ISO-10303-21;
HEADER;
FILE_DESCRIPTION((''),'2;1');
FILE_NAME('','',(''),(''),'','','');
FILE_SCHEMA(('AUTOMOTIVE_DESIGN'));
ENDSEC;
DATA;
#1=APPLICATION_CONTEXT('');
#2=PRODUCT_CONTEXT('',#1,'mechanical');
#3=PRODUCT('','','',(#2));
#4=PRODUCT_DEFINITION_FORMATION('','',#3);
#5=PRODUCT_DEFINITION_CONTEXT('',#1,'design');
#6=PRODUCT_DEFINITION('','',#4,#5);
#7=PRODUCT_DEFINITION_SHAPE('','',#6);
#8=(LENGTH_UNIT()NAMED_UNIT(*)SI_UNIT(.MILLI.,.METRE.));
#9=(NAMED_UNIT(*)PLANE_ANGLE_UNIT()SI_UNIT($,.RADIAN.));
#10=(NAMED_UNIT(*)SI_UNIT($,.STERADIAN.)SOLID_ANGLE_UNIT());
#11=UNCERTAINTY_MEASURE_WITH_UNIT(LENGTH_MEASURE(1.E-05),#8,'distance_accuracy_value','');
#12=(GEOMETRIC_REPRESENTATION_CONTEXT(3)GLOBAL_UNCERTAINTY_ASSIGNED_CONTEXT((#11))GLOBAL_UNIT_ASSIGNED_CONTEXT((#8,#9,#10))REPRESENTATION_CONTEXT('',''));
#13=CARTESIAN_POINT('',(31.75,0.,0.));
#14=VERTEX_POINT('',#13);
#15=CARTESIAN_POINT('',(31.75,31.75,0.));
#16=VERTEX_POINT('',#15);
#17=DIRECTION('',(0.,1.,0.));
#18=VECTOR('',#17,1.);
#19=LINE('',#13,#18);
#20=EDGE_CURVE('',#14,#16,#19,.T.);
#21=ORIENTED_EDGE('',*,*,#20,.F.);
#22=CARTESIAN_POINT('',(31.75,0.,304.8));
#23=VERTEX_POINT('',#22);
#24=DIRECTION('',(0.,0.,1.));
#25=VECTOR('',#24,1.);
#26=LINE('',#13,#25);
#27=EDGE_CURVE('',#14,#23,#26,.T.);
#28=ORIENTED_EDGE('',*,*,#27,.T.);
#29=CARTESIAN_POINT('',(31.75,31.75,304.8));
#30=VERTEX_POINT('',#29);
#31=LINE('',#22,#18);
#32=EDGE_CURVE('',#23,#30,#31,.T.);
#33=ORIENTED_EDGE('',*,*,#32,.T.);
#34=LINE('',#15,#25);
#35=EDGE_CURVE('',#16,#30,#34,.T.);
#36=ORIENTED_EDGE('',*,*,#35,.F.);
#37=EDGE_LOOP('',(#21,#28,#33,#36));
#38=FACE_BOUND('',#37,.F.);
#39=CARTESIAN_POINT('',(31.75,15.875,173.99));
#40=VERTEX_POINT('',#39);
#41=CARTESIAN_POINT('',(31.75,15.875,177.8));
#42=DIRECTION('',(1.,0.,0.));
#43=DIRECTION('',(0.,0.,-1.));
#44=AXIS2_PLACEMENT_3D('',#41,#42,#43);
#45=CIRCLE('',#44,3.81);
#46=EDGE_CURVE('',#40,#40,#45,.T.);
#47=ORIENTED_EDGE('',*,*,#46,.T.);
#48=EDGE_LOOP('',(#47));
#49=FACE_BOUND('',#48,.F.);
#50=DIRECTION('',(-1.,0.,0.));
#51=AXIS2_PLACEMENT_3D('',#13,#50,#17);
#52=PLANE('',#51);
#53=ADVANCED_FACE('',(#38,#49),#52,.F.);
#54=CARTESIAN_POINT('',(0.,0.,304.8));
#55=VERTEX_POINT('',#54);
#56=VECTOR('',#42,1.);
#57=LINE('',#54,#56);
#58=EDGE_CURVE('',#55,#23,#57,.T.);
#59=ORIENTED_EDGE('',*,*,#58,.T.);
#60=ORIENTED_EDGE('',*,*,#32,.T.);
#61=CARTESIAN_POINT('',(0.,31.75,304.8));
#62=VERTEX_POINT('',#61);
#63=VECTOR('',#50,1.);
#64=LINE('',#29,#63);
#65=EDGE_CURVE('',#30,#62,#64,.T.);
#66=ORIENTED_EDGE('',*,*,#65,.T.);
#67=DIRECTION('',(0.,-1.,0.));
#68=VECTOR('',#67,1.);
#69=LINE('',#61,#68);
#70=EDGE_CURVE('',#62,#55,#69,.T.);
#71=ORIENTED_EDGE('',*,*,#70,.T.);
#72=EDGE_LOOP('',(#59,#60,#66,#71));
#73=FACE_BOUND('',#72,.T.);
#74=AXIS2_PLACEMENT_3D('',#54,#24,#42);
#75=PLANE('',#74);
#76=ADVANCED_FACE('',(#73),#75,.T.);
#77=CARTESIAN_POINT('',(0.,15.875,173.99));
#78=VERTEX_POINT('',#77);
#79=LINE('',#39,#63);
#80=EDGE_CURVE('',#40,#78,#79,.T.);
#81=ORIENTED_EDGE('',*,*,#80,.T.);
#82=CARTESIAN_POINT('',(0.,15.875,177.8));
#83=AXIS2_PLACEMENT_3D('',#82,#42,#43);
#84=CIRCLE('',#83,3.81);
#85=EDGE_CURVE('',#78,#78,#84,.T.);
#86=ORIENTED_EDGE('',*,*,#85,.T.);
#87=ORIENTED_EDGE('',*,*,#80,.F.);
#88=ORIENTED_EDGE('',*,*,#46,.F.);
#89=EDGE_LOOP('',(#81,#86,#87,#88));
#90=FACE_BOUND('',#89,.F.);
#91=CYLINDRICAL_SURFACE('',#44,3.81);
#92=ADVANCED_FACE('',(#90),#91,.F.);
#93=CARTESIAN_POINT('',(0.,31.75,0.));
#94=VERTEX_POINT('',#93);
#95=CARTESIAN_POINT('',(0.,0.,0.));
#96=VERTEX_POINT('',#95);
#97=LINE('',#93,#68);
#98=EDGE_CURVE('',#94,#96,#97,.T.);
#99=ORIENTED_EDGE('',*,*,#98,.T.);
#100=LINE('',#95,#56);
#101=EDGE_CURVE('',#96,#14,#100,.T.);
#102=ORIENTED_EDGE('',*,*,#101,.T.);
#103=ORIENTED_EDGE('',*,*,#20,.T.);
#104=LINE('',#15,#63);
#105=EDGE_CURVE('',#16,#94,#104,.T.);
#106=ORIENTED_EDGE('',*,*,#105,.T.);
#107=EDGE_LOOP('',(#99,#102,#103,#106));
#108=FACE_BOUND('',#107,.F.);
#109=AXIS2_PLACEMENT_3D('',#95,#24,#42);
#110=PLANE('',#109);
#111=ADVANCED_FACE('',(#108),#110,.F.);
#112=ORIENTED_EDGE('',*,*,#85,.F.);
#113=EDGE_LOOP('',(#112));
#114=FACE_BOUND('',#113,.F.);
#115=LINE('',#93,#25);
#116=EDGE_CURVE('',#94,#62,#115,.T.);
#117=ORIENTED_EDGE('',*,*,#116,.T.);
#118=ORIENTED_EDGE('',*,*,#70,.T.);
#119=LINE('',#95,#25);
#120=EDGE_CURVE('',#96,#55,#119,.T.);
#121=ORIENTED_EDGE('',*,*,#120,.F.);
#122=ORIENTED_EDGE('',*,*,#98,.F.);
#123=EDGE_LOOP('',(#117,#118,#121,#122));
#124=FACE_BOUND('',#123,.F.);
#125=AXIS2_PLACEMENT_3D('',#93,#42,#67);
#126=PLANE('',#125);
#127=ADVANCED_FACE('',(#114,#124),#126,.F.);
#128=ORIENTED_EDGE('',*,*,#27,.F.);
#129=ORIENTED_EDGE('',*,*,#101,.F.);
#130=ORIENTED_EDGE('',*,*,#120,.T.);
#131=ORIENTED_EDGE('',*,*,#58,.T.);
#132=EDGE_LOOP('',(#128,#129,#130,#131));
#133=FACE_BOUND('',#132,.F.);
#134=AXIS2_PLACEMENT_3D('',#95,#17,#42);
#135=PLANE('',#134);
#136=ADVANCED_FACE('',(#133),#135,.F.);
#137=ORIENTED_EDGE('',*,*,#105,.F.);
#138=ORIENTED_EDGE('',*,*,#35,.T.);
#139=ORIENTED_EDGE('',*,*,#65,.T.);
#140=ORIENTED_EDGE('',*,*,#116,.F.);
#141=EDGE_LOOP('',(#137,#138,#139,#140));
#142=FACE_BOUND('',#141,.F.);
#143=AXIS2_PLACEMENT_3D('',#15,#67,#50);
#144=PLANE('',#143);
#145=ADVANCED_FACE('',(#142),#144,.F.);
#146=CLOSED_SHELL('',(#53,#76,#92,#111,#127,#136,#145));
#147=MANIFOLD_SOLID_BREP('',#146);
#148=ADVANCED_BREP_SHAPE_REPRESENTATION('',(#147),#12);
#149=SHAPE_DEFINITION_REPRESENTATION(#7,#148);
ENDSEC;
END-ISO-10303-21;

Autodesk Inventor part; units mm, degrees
ref_plane "YZ Plane" through (0, 0, 0) normal (1, 0, 0) x (0, 1, 0)
ref_plane "XZ Plane" through (0, 0, 0) normal (0, 1, 0) x (-1, 0, 0)
ref_plane "XY Plane" through (0, 0, 0) normal (0, 0, 1) x (1, 0, 0)
sketch "Sketch1" plane through (0, 0, 0) normal (0, 0, 1) x (1, 0, 0)
  line L0 (0, 0) -> (31.75, 0)
  line L1 (31.75, 0) -> (31.75, 31.75)
  line L2 (31.75, 31.75) -> (0, 31.75)
  line L3 (0, 31.75) -> (0, 0)
  dimension "d0" = 31.75
  dimension "d1" = 31.75
extrude "Extrusion1" add sketch "Sketch1" along normal blind 304.8
sketch "Sketch2" plane through (31.75, 0, 0) normal (1, 0, 0) x (0, 0, -1)
  line L0 (0, 0) -> (0, 31.75) projected
  line L1 (0, 31.75) -> (-304.8, 31.75) projected
  line L2 (0, 0) -> (-304.8, 0) projected
  circle A0 centre (-177.8, 15.875) radius 3.81
  dimension "d4" = 177.8
  dimension "d5" = 31.75
  dimension "d6" = 15.875
  dimension "d7" = 7.62
extrude "Extrusion2" cut sketch "Sketch2" against normal through all
equation "\"d0\" = d1"
equation "\"d6\" = 0.5 * d5"
properties part number "30x30 pillars"
